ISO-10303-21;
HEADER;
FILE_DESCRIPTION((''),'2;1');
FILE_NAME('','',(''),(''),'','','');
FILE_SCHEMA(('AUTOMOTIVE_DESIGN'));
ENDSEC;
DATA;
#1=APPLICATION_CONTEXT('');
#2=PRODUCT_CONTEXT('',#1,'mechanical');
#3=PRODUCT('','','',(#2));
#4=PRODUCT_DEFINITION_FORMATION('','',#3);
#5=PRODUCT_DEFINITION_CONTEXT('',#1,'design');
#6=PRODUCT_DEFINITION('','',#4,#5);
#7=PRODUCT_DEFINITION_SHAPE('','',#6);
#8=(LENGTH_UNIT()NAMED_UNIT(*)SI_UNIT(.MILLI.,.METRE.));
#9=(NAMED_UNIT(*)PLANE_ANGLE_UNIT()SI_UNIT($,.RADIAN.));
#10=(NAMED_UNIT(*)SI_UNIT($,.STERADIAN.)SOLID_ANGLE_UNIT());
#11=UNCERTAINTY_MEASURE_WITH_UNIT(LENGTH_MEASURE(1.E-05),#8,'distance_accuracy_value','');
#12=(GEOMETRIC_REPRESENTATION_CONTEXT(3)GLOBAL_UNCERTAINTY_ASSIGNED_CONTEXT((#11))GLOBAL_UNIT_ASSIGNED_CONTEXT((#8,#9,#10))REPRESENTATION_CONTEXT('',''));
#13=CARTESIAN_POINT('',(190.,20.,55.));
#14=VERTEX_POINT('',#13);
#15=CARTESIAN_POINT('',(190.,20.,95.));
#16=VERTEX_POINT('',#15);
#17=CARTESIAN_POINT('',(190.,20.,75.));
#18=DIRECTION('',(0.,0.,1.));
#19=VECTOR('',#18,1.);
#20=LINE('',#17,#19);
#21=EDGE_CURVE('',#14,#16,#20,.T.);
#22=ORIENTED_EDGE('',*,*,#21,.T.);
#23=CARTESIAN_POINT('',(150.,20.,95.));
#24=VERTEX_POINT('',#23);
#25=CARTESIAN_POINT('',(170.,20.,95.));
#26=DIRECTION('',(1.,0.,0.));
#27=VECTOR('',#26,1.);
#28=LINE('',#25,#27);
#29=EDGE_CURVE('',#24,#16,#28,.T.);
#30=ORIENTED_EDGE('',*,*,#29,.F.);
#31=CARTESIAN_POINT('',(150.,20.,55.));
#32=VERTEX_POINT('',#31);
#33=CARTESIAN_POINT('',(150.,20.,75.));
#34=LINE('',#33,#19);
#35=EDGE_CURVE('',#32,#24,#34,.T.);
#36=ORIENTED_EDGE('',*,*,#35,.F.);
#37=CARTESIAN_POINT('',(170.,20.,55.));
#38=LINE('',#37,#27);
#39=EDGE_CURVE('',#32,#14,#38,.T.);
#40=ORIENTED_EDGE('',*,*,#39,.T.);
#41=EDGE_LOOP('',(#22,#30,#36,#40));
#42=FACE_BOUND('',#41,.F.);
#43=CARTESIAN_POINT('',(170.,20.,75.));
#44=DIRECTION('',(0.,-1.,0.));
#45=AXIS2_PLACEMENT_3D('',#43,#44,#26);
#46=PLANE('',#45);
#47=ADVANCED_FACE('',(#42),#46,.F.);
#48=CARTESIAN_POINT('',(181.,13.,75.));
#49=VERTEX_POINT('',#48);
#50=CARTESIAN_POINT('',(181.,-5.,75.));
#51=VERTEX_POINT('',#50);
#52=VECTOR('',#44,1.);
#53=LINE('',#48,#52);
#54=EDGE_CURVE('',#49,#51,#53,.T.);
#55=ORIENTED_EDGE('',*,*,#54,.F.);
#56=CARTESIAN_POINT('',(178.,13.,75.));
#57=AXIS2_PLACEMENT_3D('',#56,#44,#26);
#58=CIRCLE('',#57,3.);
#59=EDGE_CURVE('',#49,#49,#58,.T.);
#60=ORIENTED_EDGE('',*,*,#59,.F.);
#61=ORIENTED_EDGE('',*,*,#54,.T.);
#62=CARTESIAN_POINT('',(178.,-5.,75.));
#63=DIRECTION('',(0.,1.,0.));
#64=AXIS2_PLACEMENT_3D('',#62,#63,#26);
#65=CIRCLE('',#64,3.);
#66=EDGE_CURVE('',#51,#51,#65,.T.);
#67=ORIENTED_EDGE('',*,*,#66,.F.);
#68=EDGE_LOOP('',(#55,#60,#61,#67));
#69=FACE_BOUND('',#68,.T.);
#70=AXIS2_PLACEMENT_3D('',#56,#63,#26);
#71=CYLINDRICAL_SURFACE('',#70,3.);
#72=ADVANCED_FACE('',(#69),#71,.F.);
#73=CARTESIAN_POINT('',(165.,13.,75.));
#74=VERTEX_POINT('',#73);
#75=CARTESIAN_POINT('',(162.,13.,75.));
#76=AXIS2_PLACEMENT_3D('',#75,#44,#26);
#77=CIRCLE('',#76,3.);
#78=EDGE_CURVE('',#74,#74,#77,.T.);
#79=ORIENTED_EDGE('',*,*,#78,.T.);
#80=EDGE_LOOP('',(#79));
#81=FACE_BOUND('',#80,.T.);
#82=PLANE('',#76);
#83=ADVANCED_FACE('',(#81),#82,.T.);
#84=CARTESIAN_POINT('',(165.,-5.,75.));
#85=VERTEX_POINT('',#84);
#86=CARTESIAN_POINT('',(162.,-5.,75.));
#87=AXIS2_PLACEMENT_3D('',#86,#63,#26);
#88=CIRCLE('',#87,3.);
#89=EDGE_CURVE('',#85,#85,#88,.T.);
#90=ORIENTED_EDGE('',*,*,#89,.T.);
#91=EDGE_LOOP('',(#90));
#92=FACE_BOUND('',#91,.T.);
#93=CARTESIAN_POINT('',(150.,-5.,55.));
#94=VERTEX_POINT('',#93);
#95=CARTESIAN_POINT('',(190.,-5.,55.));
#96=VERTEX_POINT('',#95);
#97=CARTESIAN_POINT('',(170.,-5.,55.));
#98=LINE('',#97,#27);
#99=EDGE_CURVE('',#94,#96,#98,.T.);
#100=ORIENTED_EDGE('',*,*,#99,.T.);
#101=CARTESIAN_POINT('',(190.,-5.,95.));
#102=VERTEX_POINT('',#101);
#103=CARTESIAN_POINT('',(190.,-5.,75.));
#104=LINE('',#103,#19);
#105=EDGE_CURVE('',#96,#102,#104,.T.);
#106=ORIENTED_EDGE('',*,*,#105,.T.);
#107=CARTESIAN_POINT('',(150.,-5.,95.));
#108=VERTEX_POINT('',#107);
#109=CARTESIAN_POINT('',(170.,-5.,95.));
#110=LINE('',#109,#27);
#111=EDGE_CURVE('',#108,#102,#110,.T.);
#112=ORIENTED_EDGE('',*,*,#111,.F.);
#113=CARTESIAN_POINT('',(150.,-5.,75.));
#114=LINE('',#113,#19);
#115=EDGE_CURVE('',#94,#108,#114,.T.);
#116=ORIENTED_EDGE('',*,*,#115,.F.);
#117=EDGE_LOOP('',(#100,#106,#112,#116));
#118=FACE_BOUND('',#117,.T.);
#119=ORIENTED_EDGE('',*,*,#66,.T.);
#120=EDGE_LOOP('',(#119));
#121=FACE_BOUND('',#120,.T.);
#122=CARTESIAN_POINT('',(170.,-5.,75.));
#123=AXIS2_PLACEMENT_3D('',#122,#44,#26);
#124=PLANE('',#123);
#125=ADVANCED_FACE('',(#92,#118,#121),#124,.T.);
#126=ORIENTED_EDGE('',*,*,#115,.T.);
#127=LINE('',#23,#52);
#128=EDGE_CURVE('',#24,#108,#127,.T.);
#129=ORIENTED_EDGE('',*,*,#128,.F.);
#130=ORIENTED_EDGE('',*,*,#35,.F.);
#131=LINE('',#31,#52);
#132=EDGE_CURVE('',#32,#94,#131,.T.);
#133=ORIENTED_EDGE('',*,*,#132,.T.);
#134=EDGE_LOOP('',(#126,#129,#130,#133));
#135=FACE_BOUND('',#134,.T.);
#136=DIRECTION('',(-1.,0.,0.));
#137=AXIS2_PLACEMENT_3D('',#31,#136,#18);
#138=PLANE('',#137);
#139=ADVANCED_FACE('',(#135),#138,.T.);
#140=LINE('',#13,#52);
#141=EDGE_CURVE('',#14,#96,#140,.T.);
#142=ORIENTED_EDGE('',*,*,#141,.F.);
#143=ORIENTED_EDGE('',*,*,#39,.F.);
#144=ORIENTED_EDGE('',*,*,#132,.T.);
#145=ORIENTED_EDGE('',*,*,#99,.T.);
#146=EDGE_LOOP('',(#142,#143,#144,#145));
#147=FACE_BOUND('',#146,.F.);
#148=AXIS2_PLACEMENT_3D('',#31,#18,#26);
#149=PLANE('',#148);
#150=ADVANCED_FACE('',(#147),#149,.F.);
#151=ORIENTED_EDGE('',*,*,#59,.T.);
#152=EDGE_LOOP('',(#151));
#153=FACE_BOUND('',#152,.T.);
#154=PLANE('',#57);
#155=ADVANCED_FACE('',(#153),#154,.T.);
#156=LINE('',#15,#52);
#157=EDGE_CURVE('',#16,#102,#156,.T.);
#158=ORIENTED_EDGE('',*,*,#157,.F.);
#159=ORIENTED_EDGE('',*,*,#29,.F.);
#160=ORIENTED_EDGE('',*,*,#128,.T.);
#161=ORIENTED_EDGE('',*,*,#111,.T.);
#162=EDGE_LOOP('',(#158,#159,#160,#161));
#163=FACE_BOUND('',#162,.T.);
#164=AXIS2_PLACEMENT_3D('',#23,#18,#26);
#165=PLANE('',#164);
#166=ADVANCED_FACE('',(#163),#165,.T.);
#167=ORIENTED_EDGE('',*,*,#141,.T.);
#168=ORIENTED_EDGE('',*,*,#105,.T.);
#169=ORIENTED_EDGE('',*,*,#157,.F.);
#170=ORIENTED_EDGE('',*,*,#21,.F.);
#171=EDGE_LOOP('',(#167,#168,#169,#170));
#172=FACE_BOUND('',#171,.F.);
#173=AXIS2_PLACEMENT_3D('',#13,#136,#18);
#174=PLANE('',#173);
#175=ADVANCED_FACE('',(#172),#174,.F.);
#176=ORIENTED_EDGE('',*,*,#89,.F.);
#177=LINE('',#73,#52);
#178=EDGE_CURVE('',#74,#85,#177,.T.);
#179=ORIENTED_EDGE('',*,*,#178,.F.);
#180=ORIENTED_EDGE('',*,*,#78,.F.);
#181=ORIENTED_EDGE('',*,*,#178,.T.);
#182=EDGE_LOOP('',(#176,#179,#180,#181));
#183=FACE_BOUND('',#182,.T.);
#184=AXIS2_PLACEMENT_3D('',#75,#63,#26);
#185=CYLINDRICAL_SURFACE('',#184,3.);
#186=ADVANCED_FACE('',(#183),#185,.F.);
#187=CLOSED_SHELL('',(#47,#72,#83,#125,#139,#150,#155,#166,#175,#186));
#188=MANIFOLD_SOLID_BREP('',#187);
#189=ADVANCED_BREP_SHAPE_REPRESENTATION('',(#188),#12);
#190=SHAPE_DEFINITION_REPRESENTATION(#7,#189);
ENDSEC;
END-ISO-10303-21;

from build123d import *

# Parameters (mm, degrees)
CYLINDER018_R          = 3
CYLINDER018_DEPTH      = 20
CYLINDER018_ROLL_ANGLE = 90
CYLINDER017_R          = 3
CYLINDER017_DEPTH      = 20
CYLINDER017_ROLL_ANGLE = 90
BOX017_W               = 40
BOX017_H               = 40
BOX017_DEPTH           = 25
BOX017_ROLL_ANGLE      = 90


with BuildPart() as cylinder018:
    # Cylinder018 → Cylinder018 (new body)
    with BuildSketch(Plane.XY):
        Circle(CYLINDER018_R)
    extrude(amount=CYLINDER018_DEPTH)


with BuildPart() as cylinder018_1:
    # Cylinder018 roll: moved
    add(cylinder018.part.rotate(Axis((0, 0, 0), (1, 0, 0)), CYLINDER018_ROLL_ANGLE))


with BuildPart() as cylinder018_2:
    # Cylinder018 placement: moved
    add(cylinder018_1.part.moved(Location((162, -7, 145))))


with BuildPart() as cylinder017:
    # Cylinder017 → Cylinder017 (new body)
    with BuildSketch(Plane.XY):
        Circle(CYLINDER017_R)
    extrude(amount=CYLINDER017_DEPTH)


with BuildPart() as cylinder017_1:
    # Cylinder017 roll: moved
    add(cylinder017.part.rotate(Axis((0, 0, 0), (1, 0, 0)), CYLINDER017_ROLL_ANGLE))


with BuildPart() as cylinder017_2:
    # Cylinder017 placement: moved
    add(cylinder017_1.part.moved(Location((178, -7, 145))))


with BuildPart() as cut011:
    # Box017 → Box017 (new body)
    with BuildSketch(Plane.XY):
        with Locations((20, 20)):
            Rectangle(BOX017_W, BOX017_H)
    extrude(amount=BOX017_DEPTH)


with BuildPart() as cut011_1:
    # Box017 roll: moved
    add(cut011.part.rotate(Axis((0, 0, 0), (1, 0, 0)), BOX017_ROLL_ANGLE))


with BuildPart() as cut011_2:
    # Box017 placement: moved
    add(cut011_1.part.moved(Location((150, 0, 125))))

    # Cut010: cut Cylinder017
    add(cylinder017_2.part, mode=Mode.SUBTRACT)

    # Cut011: cut Cylinder018
    add(cylinder018_2.part, mode=Mode.SUBTRACT)


with BuildPart() as cut011_3:
    # Cut011 placement: moved
    add(cut011_2.part.moved(Location((0, 20, -70))))


solid = cut011_3.part
